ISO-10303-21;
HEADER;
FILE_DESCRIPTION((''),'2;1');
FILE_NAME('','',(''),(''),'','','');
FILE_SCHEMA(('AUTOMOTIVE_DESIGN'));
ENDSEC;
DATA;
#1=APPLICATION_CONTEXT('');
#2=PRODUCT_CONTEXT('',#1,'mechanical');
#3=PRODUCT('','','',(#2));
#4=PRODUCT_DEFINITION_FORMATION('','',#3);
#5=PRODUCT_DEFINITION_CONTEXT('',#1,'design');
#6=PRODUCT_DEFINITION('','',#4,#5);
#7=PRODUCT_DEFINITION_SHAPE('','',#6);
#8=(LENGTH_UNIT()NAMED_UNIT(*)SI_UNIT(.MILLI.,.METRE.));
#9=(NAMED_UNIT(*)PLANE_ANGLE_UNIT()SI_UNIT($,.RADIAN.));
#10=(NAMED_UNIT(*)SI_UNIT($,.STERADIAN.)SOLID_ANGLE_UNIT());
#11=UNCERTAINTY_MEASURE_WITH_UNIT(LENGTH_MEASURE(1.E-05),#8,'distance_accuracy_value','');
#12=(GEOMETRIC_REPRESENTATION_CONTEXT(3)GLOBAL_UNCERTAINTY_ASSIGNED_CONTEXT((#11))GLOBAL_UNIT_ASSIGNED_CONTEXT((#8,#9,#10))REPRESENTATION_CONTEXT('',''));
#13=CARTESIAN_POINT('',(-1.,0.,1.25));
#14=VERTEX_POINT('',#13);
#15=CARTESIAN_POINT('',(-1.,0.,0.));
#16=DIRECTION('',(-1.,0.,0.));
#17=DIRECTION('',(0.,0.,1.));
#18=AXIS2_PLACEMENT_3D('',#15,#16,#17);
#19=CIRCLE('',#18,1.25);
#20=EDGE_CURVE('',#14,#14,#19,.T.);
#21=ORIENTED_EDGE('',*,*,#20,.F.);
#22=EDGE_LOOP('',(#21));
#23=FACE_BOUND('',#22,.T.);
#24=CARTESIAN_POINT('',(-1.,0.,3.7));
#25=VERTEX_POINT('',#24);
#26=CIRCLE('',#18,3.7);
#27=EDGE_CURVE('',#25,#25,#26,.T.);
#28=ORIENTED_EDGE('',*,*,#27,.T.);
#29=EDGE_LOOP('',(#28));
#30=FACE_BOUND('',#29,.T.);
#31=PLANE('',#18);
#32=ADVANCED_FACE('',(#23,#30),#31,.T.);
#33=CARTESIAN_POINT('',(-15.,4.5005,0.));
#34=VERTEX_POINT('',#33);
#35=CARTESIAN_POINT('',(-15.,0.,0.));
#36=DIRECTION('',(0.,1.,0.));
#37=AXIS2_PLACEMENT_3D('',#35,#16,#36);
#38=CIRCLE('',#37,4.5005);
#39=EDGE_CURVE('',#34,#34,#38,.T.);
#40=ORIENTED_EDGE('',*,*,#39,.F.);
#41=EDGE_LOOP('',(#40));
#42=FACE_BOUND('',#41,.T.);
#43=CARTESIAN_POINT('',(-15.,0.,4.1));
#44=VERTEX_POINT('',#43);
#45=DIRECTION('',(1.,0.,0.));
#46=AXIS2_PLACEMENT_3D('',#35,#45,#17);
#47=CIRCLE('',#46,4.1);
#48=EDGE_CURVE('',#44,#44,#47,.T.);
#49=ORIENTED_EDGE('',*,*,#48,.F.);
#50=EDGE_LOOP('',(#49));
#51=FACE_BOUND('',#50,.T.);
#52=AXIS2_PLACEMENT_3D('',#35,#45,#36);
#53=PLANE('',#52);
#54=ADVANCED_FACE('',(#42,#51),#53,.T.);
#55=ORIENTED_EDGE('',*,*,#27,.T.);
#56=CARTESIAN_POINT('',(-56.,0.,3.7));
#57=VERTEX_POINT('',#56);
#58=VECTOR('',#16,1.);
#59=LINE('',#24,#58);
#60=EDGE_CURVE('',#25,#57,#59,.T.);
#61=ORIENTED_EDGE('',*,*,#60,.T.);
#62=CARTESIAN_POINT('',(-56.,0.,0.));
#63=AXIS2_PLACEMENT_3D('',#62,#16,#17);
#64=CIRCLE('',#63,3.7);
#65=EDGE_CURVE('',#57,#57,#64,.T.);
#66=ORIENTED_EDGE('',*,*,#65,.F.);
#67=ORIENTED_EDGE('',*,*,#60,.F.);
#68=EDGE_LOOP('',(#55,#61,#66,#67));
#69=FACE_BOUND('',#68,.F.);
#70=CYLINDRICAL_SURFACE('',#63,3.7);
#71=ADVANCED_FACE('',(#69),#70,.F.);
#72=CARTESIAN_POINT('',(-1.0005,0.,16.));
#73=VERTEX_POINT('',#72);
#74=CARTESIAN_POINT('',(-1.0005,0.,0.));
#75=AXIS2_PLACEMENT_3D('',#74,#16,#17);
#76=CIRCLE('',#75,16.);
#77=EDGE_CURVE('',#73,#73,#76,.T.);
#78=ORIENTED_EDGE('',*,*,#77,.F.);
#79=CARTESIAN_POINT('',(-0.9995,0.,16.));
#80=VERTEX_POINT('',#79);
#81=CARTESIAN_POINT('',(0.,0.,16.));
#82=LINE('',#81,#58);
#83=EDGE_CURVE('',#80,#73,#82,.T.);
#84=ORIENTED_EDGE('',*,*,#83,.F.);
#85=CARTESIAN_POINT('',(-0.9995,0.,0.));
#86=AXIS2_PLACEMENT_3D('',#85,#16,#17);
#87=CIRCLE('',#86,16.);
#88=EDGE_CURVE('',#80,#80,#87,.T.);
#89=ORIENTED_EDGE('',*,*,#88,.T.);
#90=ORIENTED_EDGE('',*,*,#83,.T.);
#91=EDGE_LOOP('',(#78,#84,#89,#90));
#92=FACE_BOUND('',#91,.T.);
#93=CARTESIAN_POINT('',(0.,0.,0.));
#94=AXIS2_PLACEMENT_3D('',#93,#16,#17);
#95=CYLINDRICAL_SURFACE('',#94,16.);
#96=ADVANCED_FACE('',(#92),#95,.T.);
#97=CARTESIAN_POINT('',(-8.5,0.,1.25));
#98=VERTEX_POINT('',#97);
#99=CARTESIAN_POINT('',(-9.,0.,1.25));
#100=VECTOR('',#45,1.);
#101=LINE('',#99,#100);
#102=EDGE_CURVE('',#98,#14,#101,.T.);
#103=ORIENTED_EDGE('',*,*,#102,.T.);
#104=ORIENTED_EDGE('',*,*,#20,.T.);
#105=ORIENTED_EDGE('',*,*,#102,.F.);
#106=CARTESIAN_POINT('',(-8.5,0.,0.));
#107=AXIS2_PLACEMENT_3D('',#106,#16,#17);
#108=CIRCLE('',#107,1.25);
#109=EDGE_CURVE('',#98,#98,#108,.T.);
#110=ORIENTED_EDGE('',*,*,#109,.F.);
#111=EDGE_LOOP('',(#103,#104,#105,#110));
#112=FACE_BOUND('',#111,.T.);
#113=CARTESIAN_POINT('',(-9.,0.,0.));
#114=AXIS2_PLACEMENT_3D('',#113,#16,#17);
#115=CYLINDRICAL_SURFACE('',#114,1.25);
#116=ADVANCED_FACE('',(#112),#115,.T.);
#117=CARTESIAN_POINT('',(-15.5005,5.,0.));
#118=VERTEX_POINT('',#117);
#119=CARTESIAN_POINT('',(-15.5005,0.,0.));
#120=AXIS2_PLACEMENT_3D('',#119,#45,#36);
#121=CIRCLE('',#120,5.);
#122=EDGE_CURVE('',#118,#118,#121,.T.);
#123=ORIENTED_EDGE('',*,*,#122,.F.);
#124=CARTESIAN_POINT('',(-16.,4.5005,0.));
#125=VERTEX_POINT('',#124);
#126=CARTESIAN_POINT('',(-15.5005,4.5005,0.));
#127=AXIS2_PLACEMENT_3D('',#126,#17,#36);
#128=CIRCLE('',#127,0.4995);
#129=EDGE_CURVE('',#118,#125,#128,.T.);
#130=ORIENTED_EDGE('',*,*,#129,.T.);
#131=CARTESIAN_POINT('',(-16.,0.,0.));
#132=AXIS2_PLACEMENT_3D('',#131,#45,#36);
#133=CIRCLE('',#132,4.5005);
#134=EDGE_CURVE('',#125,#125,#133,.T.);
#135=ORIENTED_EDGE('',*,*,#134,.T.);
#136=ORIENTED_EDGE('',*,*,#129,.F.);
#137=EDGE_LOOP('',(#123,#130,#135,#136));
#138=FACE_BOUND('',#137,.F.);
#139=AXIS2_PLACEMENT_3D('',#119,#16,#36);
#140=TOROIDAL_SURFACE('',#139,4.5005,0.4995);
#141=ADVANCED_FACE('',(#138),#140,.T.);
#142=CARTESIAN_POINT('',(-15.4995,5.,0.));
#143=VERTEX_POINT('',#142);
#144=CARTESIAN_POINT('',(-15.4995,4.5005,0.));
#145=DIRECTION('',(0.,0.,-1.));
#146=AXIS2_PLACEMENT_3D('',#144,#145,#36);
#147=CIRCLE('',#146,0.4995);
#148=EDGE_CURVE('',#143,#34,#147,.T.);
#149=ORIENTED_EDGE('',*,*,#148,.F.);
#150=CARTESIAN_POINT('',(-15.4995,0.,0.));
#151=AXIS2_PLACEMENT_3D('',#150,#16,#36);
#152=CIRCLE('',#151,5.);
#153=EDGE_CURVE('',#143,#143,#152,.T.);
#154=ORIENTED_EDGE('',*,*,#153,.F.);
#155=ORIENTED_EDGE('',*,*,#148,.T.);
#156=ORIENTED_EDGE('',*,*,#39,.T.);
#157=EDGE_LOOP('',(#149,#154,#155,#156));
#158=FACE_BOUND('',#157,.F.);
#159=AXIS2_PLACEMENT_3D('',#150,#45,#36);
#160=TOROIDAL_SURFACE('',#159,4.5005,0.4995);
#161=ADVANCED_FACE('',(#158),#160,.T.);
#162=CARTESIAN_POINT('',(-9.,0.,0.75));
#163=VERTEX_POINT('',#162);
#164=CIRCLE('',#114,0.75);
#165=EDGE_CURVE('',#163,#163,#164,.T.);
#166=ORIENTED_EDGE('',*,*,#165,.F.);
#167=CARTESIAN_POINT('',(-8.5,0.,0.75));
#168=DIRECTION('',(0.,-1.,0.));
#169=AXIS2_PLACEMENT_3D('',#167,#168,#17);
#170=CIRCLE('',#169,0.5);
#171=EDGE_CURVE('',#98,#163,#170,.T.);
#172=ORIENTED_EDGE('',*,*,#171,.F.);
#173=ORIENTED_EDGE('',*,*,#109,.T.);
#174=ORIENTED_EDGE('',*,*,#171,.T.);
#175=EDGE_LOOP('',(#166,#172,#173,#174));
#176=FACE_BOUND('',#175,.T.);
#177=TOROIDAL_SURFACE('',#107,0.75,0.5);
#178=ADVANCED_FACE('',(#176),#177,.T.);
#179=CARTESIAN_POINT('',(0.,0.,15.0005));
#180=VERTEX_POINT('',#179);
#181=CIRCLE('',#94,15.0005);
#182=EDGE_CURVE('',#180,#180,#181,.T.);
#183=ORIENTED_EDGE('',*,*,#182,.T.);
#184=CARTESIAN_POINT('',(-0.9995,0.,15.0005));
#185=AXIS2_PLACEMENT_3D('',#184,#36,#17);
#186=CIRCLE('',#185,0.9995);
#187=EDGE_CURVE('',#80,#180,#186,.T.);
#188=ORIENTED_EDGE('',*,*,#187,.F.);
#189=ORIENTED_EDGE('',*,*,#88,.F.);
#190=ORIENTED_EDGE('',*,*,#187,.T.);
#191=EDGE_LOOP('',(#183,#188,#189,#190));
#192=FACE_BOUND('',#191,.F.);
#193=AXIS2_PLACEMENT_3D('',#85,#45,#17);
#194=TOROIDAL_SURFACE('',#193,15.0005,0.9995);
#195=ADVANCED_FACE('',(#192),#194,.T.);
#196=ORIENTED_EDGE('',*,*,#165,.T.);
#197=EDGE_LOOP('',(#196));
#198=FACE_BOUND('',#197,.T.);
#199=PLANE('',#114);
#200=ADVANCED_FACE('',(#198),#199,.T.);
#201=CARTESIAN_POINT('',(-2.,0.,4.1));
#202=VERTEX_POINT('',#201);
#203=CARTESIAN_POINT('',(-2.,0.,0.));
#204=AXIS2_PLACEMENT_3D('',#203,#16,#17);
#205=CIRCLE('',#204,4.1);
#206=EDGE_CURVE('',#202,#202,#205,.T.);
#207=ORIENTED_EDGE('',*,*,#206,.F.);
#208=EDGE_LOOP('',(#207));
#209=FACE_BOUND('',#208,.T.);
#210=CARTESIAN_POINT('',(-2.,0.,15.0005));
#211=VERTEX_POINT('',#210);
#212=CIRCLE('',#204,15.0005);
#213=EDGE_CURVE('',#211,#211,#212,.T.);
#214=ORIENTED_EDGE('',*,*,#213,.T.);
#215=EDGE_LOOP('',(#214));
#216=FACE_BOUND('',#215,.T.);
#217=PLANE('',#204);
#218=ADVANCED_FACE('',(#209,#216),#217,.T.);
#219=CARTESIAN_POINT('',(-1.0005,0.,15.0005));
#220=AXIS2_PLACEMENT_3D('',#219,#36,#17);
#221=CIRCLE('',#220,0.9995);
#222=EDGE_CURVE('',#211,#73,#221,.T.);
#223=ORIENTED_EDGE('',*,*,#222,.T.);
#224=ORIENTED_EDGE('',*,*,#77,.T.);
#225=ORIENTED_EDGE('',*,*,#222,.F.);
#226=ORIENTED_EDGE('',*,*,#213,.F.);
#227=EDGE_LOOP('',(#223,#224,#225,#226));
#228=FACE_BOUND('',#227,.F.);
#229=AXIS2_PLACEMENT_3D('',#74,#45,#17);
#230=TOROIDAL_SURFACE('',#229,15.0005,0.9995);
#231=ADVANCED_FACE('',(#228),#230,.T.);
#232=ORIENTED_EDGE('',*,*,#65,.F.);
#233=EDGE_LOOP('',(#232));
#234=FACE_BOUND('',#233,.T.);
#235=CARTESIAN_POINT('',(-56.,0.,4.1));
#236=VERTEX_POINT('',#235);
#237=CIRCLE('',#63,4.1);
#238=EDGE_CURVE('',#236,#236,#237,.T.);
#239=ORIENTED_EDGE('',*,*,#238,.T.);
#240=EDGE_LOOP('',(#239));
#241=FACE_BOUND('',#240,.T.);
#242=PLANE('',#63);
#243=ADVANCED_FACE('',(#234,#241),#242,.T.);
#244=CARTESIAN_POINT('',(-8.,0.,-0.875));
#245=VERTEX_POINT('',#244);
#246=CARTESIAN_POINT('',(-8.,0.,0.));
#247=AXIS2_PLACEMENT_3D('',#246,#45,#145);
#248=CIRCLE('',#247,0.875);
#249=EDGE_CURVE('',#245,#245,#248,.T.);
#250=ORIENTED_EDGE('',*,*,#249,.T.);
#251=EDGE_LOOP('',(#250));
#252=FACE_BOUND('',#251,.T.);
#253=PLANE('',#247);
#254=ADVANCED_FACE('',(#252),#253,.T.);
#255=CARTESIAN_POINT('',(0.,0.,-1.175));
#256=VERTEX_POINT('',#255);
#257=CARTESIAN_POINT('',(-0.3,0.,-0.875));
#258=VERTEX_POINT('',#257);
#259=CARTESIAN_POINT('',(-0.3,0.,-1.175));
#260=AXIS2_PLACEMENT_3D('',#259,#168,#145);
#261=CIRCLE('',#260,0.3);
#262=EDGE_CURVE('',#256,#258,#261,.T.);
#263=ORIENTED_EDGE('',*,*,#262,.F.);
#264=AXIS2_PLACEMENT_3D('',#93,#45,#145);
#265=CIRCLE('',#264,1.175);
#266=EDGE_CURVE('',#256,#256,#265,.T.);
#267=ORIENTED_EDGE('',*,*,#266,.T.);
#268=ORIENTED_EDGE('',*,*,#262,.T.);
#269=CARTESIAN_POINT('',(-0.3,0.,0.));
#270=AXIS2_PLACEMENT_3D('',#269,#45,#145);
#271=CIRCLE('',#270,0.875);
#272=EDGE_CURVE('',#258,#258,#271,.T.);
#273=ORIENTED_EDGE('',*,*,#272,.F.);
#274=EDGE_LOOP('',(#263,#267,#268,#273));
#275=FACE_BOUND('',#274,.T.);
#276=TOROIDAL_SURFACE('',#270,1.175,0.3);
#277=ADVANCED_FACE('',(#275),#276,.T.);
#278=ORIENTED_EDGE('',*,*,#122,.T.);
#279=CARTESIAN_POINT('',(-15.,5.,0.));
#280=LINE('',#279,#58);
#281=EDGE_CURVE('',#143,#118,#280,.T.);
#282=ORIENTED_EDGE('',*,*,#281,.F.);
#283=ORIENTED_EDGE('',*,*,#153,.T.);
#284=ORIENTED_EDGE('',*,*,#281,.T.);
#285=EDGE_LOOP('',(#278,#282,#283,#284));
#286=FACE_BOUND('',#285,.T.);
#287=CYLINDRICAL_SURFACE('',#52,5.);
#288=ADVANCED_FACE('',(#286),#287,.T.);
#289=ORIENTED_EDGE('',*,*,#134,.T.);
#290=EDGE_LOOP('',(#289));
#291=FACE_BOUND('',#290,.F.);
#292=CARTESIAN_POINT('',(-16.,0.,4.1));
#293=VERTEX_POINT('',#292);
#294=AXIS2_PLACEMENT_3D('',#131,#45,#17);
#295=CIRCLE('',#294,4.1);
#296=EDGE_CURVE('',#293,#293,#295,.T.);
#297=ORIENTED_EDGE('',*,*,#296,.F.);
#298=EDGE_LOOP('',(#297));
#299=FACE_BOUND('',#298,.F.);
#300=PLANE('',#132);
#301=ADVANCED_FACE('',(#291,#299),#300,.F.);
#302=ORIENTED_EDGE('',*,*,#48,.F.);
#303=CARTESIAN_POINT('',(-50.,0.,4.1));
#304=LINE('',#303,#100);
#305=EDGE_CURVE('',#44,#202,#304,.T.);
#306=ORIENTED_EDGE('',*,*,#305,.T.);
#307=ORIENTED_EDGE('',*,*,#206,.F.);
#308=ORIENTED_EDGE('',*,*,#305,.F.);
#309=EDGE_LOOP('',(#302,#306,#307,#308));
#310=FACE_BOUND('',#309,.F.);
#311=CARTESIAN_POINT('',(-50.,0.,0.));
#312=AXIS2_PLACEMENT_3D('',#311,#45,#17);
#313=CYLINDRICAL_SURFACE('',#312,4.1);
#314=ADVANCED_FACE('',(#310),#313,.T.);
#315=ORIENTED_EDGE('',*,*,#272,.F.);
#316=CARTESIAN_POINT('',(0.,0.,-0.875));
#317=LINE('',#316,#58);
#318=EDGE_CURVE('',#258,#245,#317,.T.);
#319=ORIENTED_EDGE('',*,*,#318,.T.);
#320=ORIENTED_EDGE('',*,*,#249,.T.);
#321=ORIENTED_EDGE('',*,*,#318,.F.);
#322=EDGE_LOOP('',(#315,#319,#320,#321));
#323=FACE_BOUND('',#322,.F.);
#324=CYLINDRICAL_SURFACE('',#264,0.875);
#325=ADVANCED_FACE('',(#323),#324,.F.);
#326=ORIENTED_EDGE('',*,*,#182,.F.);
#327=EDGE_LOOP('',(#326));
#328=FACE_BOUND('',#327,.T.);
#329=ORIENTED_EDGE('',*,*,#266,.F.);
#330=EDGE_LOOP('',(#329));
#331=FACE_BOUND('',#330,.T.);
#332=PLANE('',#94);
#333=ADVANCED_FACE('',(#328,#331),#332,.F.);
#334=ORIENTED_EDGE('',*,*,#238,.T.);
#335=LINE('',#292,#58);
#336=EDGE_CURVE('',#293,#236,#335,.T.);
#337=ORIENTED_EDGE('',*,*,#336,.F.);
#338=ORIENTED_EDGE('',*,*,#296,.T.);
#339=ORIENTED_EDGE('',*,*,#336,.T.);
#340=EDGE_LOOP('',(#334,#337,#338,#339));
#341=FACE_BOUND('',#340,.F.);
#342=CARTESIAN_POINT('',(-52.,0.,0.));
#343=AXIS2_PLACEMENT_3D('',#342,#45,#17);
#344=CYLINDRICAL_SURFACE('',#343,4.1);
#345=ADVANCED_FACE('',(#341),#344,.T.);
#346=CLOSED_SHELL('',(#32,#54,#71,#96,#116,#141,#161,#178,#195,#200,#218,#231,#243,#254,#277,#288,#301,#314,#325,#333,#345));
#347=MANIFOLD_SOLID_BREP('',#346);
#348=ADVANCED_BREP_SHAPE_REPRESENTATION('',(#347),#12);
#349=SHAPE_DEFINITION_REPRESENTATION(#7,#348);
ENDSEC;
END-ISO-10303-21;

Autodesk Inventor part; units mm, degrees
ref_plane "XY Plane" through (0, 0, 0) normal (0, 0, 1) x (1, 0, 0)
sketch "Sketch1" plane through (0, 0, 0) normal (0, 1, 0) x (-1, 0, 0)
  line L0 (0, 0) -> (50, 0)
  line L1 (0, 0) -> (0, 16)
  line L2 (0, 16) -> (2, 16)
  line L3 (2, 16) -> (2, 0)
  line L4 (2, 0) -> (2, 4.1)
  line L5 (50, 0) -> (50, 4.1)
  line L6 (50, 4.1) -> (2, 4.1)
  dimension "d0" = 50
  dimension "d1" = 16
  dimension "d2" = 2
  dimension "d3" = 4.1
  dimension "d4" = 4.1
revolve "Revolution1" add sketch "Sketch1" angle 360 about axis through (0, 0, 0) along (-1, 0, 0)
sketch "Sketch2" plane through (0, 0, 0) normal (1, 0, 0) x (0, 0, -1)
  circle A0 centre (0, 0) radius 0.875
  dimension "d6" = 1.75
extrude "Extrusion1" cut sketch "Sketch2" against normal blind 8
fillet "Fillet1" radius 0.3 1 edges at (0, 0, 0.875)
ref_plane "Work Plane1" through (-15, 0, 0) normal (1, 0, 0) x (0, 1, 0)
sketch "Sketch3" plane through (-15, 0, 0) normal (1, 0, 0) x (0, 1, 0)
  line L0 (0, 0) -> (-5.6972, 0)
  circle A0 centre (0, 0) radius 5
  dimension "d11" = 10
extrude "Extrusion2" add sketch "Sketch3" against normal blind 1
fillet "Fillet2" radius 0.5 2 edges at (-16, -5, 0) (-15, -5, 0)
ref_plane "Work Plane2" through (-16, 0, 0) normal (1, 0, 0) x (0, 1, 0)
sketch "Sketch4" plane through (-50, 0, 0) normal (-1, 0, 0) x (0, 0, 1)
  circle A0 centre (0, 0) radius 4.1
extrude "Extrusion3" add sketch "Sketch4" along normal blind 10
ref_plane "Work Plane3" through (0, 0, 0) normal (0, 1, 0) x (-1, 0, 0)
sketch "Sketch5" plane through (0, 0, 0) normal (0, 1, 0) x (-1, 0, 0)
  point P0 (0, 0)
sketch "Sketch6" plane through (-60, 0, 0) normal (-1, 0, 0) x (0, 0, 1)
  circle A0 centre (0, 0) radius 4.1
extrude "Extrusion4" cut sketch "Sketch6" against normal blind 8
sketch "Sketch7" plane through (-52, 0, 0) normal (-1, 0, 0) x (0, 0, 1)
  circle A0 centre (0, 0) radius 4.1
extrude "Extrusion5" add sketch "Sketch7" along normal blind 4
sketch "Sketch8" plane through (0, 0, 0) normal (0, 1, 0) x (-1, 0, 0)
  point P0 (0, 0)
sketch "Sketch9" plane through (-56, 0, 0) normal (-1, 0, 0) x (0, 0, 1)
  circle A0 centre (0, 0) radius 0.875 projected
  circle A1 centre (0, 0) radius 3.7
  dimension "d28" = 7.4
extrude "Extrusion7" cut sketch "Sketch9" against normal blind 47 contours A0 | A1
sketch "Sketch10" plane through (-9, 0, 0) normal (-1, 0, 0) x (0, 0, 1)
  circle A0 centre (0, 0) radius 3.7
  circle A1 centre (0, 0) radius 1.25
  dimension "d31" = 2.5
extrude "Extrusion8" cut sketch "Sketch10" against normal blind 8
fillet "Fillet3" radius 0.5 1 edges at (-9, 0, -1.25)
fillet "Fillet4" radius 1 2 edges at (-2, 0, -16) (0, 0, -16)
properties part number "axilhollow"
